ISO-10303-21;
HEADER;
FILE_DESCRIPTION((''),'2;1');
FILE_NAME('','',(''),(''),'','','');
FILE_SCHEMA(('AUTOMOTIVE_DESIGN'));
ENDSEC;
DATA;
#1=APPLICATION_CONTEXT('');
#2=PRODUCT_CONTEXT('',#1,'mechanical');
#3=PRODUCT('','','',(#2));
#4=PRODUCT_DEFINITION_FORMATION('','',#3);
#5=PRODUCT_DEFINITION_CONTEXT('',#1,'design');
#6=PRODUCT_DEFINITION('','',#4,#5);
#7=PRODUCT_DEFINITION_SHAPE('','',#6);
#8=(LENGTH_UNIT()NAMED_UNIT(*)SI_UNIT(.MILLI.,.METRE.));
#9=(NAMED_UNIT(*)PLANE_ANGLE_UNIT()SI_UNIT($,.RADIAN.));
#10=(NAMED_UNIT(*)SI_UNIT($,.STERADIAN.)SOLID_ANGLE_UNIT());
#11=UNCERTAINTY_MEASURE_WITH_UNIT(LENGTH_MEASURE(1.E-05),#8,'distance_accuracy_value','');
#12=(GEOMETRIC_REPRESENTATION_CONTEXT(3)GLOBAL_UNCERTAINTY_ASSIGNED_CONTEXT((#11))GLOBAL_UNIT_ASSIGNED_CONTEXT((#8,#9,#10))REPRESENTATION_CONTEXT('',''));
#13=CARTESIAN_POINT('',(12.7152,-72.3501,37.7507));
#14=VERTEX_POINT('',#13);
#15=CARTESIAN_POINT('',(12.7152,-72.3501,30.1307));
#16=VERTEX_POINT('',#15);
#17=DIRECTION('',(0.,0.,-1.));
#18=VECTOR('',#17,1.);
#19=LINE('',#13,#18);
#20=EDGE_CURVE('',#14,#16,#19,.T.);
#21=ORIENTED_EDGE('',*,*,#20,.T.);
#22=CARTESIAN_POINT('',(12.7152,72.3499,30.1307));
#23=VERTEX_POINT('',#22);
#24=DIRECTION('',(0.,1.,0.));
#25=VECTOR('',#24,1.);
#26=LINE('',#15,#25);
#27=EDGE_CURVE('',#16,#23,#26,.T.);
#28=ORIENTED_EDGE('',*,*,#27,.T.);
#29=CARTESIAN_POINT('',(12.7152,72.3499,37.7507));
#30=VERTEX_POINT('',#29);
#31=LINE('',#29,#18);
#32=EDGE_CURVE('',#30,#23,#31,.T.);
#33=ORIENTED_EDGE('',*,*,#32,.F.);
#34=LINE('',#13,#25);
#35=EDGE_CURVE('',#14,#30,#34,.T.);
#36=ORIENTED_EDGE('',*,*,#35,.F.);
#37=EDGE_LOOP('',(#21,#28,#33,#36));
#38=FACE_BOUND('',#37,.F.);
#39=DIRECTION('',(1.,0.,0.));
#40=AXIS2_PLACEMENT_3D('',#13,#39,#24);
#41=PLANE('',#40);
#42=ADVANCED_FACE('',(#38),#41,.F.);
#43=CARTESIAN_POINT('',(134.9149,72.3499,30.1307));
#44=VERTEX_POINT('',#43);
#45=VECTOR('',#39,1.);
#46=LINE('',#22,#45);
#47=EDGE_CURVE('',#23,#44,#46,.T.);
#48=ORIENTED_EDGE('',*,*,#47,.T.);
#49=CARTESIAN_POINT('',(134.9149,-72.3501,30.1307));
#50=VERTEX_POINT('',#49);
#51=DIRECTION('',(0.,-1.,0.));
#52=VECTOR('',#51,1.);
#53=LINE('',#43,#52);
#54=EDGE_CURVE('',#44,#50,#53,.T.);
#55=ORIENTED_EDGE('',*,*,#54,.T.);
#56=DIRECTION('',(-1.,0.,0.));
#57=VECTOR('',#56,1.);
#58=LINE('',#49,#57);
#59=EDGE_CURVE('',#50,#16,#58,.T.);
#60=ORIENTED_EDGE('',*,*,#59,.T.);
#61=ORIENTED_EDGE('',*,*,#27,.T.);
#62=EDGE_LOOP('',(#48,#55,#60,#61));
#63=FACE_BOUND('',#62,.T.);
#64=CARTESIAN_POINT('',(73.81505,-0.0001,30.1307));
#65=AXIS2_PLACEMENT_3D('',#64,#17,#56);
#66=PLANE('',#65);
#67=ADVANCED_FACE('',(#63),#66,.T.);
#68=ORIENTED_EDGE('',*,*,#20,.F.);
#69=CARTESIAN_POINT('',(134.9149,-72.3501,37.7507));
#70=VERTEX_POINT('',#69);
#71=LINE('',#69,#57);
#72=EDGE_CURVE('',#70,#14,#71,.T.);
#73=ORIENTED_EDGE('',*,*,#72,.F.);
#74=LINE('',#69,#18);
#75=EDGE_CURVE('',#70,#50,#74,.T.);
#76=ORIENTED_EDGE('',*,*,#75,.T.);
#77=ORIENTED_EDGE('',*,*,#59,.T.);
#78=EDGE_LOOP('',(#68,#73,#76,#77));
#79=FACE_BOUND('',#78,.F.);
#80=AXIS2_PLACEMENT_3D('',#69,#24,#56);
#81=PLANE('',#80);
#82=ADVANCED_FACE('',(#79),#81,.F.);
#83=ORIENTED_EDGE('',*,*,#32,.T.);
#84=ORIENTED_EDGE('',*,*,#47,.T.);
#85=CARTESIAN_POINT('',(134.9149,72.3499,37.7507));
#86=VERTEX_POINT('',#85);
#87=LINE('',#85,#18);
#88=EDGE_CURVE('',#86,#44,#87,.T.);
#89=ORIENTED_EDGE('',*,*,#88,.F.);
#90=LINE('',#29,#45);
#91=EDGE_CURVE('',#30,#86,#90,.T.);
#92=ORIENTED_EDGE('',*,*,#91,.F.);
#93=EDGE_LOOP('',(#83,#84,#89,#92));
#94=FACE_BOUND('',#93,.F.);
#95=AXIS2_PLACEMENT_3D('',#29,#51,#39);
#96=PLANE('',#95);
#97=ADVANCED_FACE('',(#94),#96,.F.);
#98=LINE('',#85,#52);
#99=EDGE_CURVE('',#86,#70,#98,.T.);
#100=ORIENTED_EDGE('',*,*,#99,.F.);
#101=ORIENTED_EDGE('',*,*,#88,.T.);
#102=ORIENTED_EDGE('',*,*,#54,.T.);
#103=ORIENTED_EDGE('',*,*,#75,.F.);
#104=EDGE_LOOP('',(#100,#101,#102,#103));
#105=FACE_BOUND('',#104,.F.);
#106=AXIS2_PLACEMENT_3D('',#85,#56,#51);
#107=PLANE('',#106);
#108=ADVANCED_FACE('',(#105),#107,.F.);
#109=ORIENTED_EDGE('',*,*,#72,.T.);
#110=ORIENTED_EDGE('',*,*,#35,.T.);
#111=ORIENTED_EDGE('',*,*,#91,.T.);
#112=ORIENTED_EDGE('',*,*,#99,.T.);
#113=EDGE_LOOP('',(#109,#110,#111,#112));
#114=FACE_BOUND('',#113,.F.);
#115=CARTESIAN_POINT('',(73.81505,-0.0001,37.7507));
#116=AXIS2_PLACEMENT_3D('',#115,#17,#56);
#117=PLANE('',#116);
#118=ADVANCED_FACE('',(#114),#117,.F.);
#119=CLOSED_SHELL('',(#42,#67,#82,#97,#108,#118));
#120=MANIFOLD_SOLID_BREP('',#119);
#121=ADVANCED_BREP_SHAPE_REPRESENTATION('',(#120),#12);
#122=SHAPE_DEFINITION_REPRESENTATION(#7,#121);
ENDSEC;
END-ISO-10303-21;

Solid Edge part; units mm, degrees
sketch "Sketch1" plane through (131.7949, 65.9999, 37.7507) normal (0, 0, -1) x (0, -1, 0)
  line L0 (-6.35, -3.12) -> (138.35, -3.12)
  line L1 (138.35, -3.12) -> (138.35, 119.0797)
  line L2 (138.35, 119.0797) -> (-6.35, 119.0797)
  line L3 (-6.35, 119.0797) -> (-6.35, -3.12)
  dimension "D1" = 6.35
  dimension "D2" = 6.35
  dimension "D3" = 6.35
  dimension "D4" = 6.35
extrude "Protrusion1" add sketch "Sketch1" along normal blind 7.62
